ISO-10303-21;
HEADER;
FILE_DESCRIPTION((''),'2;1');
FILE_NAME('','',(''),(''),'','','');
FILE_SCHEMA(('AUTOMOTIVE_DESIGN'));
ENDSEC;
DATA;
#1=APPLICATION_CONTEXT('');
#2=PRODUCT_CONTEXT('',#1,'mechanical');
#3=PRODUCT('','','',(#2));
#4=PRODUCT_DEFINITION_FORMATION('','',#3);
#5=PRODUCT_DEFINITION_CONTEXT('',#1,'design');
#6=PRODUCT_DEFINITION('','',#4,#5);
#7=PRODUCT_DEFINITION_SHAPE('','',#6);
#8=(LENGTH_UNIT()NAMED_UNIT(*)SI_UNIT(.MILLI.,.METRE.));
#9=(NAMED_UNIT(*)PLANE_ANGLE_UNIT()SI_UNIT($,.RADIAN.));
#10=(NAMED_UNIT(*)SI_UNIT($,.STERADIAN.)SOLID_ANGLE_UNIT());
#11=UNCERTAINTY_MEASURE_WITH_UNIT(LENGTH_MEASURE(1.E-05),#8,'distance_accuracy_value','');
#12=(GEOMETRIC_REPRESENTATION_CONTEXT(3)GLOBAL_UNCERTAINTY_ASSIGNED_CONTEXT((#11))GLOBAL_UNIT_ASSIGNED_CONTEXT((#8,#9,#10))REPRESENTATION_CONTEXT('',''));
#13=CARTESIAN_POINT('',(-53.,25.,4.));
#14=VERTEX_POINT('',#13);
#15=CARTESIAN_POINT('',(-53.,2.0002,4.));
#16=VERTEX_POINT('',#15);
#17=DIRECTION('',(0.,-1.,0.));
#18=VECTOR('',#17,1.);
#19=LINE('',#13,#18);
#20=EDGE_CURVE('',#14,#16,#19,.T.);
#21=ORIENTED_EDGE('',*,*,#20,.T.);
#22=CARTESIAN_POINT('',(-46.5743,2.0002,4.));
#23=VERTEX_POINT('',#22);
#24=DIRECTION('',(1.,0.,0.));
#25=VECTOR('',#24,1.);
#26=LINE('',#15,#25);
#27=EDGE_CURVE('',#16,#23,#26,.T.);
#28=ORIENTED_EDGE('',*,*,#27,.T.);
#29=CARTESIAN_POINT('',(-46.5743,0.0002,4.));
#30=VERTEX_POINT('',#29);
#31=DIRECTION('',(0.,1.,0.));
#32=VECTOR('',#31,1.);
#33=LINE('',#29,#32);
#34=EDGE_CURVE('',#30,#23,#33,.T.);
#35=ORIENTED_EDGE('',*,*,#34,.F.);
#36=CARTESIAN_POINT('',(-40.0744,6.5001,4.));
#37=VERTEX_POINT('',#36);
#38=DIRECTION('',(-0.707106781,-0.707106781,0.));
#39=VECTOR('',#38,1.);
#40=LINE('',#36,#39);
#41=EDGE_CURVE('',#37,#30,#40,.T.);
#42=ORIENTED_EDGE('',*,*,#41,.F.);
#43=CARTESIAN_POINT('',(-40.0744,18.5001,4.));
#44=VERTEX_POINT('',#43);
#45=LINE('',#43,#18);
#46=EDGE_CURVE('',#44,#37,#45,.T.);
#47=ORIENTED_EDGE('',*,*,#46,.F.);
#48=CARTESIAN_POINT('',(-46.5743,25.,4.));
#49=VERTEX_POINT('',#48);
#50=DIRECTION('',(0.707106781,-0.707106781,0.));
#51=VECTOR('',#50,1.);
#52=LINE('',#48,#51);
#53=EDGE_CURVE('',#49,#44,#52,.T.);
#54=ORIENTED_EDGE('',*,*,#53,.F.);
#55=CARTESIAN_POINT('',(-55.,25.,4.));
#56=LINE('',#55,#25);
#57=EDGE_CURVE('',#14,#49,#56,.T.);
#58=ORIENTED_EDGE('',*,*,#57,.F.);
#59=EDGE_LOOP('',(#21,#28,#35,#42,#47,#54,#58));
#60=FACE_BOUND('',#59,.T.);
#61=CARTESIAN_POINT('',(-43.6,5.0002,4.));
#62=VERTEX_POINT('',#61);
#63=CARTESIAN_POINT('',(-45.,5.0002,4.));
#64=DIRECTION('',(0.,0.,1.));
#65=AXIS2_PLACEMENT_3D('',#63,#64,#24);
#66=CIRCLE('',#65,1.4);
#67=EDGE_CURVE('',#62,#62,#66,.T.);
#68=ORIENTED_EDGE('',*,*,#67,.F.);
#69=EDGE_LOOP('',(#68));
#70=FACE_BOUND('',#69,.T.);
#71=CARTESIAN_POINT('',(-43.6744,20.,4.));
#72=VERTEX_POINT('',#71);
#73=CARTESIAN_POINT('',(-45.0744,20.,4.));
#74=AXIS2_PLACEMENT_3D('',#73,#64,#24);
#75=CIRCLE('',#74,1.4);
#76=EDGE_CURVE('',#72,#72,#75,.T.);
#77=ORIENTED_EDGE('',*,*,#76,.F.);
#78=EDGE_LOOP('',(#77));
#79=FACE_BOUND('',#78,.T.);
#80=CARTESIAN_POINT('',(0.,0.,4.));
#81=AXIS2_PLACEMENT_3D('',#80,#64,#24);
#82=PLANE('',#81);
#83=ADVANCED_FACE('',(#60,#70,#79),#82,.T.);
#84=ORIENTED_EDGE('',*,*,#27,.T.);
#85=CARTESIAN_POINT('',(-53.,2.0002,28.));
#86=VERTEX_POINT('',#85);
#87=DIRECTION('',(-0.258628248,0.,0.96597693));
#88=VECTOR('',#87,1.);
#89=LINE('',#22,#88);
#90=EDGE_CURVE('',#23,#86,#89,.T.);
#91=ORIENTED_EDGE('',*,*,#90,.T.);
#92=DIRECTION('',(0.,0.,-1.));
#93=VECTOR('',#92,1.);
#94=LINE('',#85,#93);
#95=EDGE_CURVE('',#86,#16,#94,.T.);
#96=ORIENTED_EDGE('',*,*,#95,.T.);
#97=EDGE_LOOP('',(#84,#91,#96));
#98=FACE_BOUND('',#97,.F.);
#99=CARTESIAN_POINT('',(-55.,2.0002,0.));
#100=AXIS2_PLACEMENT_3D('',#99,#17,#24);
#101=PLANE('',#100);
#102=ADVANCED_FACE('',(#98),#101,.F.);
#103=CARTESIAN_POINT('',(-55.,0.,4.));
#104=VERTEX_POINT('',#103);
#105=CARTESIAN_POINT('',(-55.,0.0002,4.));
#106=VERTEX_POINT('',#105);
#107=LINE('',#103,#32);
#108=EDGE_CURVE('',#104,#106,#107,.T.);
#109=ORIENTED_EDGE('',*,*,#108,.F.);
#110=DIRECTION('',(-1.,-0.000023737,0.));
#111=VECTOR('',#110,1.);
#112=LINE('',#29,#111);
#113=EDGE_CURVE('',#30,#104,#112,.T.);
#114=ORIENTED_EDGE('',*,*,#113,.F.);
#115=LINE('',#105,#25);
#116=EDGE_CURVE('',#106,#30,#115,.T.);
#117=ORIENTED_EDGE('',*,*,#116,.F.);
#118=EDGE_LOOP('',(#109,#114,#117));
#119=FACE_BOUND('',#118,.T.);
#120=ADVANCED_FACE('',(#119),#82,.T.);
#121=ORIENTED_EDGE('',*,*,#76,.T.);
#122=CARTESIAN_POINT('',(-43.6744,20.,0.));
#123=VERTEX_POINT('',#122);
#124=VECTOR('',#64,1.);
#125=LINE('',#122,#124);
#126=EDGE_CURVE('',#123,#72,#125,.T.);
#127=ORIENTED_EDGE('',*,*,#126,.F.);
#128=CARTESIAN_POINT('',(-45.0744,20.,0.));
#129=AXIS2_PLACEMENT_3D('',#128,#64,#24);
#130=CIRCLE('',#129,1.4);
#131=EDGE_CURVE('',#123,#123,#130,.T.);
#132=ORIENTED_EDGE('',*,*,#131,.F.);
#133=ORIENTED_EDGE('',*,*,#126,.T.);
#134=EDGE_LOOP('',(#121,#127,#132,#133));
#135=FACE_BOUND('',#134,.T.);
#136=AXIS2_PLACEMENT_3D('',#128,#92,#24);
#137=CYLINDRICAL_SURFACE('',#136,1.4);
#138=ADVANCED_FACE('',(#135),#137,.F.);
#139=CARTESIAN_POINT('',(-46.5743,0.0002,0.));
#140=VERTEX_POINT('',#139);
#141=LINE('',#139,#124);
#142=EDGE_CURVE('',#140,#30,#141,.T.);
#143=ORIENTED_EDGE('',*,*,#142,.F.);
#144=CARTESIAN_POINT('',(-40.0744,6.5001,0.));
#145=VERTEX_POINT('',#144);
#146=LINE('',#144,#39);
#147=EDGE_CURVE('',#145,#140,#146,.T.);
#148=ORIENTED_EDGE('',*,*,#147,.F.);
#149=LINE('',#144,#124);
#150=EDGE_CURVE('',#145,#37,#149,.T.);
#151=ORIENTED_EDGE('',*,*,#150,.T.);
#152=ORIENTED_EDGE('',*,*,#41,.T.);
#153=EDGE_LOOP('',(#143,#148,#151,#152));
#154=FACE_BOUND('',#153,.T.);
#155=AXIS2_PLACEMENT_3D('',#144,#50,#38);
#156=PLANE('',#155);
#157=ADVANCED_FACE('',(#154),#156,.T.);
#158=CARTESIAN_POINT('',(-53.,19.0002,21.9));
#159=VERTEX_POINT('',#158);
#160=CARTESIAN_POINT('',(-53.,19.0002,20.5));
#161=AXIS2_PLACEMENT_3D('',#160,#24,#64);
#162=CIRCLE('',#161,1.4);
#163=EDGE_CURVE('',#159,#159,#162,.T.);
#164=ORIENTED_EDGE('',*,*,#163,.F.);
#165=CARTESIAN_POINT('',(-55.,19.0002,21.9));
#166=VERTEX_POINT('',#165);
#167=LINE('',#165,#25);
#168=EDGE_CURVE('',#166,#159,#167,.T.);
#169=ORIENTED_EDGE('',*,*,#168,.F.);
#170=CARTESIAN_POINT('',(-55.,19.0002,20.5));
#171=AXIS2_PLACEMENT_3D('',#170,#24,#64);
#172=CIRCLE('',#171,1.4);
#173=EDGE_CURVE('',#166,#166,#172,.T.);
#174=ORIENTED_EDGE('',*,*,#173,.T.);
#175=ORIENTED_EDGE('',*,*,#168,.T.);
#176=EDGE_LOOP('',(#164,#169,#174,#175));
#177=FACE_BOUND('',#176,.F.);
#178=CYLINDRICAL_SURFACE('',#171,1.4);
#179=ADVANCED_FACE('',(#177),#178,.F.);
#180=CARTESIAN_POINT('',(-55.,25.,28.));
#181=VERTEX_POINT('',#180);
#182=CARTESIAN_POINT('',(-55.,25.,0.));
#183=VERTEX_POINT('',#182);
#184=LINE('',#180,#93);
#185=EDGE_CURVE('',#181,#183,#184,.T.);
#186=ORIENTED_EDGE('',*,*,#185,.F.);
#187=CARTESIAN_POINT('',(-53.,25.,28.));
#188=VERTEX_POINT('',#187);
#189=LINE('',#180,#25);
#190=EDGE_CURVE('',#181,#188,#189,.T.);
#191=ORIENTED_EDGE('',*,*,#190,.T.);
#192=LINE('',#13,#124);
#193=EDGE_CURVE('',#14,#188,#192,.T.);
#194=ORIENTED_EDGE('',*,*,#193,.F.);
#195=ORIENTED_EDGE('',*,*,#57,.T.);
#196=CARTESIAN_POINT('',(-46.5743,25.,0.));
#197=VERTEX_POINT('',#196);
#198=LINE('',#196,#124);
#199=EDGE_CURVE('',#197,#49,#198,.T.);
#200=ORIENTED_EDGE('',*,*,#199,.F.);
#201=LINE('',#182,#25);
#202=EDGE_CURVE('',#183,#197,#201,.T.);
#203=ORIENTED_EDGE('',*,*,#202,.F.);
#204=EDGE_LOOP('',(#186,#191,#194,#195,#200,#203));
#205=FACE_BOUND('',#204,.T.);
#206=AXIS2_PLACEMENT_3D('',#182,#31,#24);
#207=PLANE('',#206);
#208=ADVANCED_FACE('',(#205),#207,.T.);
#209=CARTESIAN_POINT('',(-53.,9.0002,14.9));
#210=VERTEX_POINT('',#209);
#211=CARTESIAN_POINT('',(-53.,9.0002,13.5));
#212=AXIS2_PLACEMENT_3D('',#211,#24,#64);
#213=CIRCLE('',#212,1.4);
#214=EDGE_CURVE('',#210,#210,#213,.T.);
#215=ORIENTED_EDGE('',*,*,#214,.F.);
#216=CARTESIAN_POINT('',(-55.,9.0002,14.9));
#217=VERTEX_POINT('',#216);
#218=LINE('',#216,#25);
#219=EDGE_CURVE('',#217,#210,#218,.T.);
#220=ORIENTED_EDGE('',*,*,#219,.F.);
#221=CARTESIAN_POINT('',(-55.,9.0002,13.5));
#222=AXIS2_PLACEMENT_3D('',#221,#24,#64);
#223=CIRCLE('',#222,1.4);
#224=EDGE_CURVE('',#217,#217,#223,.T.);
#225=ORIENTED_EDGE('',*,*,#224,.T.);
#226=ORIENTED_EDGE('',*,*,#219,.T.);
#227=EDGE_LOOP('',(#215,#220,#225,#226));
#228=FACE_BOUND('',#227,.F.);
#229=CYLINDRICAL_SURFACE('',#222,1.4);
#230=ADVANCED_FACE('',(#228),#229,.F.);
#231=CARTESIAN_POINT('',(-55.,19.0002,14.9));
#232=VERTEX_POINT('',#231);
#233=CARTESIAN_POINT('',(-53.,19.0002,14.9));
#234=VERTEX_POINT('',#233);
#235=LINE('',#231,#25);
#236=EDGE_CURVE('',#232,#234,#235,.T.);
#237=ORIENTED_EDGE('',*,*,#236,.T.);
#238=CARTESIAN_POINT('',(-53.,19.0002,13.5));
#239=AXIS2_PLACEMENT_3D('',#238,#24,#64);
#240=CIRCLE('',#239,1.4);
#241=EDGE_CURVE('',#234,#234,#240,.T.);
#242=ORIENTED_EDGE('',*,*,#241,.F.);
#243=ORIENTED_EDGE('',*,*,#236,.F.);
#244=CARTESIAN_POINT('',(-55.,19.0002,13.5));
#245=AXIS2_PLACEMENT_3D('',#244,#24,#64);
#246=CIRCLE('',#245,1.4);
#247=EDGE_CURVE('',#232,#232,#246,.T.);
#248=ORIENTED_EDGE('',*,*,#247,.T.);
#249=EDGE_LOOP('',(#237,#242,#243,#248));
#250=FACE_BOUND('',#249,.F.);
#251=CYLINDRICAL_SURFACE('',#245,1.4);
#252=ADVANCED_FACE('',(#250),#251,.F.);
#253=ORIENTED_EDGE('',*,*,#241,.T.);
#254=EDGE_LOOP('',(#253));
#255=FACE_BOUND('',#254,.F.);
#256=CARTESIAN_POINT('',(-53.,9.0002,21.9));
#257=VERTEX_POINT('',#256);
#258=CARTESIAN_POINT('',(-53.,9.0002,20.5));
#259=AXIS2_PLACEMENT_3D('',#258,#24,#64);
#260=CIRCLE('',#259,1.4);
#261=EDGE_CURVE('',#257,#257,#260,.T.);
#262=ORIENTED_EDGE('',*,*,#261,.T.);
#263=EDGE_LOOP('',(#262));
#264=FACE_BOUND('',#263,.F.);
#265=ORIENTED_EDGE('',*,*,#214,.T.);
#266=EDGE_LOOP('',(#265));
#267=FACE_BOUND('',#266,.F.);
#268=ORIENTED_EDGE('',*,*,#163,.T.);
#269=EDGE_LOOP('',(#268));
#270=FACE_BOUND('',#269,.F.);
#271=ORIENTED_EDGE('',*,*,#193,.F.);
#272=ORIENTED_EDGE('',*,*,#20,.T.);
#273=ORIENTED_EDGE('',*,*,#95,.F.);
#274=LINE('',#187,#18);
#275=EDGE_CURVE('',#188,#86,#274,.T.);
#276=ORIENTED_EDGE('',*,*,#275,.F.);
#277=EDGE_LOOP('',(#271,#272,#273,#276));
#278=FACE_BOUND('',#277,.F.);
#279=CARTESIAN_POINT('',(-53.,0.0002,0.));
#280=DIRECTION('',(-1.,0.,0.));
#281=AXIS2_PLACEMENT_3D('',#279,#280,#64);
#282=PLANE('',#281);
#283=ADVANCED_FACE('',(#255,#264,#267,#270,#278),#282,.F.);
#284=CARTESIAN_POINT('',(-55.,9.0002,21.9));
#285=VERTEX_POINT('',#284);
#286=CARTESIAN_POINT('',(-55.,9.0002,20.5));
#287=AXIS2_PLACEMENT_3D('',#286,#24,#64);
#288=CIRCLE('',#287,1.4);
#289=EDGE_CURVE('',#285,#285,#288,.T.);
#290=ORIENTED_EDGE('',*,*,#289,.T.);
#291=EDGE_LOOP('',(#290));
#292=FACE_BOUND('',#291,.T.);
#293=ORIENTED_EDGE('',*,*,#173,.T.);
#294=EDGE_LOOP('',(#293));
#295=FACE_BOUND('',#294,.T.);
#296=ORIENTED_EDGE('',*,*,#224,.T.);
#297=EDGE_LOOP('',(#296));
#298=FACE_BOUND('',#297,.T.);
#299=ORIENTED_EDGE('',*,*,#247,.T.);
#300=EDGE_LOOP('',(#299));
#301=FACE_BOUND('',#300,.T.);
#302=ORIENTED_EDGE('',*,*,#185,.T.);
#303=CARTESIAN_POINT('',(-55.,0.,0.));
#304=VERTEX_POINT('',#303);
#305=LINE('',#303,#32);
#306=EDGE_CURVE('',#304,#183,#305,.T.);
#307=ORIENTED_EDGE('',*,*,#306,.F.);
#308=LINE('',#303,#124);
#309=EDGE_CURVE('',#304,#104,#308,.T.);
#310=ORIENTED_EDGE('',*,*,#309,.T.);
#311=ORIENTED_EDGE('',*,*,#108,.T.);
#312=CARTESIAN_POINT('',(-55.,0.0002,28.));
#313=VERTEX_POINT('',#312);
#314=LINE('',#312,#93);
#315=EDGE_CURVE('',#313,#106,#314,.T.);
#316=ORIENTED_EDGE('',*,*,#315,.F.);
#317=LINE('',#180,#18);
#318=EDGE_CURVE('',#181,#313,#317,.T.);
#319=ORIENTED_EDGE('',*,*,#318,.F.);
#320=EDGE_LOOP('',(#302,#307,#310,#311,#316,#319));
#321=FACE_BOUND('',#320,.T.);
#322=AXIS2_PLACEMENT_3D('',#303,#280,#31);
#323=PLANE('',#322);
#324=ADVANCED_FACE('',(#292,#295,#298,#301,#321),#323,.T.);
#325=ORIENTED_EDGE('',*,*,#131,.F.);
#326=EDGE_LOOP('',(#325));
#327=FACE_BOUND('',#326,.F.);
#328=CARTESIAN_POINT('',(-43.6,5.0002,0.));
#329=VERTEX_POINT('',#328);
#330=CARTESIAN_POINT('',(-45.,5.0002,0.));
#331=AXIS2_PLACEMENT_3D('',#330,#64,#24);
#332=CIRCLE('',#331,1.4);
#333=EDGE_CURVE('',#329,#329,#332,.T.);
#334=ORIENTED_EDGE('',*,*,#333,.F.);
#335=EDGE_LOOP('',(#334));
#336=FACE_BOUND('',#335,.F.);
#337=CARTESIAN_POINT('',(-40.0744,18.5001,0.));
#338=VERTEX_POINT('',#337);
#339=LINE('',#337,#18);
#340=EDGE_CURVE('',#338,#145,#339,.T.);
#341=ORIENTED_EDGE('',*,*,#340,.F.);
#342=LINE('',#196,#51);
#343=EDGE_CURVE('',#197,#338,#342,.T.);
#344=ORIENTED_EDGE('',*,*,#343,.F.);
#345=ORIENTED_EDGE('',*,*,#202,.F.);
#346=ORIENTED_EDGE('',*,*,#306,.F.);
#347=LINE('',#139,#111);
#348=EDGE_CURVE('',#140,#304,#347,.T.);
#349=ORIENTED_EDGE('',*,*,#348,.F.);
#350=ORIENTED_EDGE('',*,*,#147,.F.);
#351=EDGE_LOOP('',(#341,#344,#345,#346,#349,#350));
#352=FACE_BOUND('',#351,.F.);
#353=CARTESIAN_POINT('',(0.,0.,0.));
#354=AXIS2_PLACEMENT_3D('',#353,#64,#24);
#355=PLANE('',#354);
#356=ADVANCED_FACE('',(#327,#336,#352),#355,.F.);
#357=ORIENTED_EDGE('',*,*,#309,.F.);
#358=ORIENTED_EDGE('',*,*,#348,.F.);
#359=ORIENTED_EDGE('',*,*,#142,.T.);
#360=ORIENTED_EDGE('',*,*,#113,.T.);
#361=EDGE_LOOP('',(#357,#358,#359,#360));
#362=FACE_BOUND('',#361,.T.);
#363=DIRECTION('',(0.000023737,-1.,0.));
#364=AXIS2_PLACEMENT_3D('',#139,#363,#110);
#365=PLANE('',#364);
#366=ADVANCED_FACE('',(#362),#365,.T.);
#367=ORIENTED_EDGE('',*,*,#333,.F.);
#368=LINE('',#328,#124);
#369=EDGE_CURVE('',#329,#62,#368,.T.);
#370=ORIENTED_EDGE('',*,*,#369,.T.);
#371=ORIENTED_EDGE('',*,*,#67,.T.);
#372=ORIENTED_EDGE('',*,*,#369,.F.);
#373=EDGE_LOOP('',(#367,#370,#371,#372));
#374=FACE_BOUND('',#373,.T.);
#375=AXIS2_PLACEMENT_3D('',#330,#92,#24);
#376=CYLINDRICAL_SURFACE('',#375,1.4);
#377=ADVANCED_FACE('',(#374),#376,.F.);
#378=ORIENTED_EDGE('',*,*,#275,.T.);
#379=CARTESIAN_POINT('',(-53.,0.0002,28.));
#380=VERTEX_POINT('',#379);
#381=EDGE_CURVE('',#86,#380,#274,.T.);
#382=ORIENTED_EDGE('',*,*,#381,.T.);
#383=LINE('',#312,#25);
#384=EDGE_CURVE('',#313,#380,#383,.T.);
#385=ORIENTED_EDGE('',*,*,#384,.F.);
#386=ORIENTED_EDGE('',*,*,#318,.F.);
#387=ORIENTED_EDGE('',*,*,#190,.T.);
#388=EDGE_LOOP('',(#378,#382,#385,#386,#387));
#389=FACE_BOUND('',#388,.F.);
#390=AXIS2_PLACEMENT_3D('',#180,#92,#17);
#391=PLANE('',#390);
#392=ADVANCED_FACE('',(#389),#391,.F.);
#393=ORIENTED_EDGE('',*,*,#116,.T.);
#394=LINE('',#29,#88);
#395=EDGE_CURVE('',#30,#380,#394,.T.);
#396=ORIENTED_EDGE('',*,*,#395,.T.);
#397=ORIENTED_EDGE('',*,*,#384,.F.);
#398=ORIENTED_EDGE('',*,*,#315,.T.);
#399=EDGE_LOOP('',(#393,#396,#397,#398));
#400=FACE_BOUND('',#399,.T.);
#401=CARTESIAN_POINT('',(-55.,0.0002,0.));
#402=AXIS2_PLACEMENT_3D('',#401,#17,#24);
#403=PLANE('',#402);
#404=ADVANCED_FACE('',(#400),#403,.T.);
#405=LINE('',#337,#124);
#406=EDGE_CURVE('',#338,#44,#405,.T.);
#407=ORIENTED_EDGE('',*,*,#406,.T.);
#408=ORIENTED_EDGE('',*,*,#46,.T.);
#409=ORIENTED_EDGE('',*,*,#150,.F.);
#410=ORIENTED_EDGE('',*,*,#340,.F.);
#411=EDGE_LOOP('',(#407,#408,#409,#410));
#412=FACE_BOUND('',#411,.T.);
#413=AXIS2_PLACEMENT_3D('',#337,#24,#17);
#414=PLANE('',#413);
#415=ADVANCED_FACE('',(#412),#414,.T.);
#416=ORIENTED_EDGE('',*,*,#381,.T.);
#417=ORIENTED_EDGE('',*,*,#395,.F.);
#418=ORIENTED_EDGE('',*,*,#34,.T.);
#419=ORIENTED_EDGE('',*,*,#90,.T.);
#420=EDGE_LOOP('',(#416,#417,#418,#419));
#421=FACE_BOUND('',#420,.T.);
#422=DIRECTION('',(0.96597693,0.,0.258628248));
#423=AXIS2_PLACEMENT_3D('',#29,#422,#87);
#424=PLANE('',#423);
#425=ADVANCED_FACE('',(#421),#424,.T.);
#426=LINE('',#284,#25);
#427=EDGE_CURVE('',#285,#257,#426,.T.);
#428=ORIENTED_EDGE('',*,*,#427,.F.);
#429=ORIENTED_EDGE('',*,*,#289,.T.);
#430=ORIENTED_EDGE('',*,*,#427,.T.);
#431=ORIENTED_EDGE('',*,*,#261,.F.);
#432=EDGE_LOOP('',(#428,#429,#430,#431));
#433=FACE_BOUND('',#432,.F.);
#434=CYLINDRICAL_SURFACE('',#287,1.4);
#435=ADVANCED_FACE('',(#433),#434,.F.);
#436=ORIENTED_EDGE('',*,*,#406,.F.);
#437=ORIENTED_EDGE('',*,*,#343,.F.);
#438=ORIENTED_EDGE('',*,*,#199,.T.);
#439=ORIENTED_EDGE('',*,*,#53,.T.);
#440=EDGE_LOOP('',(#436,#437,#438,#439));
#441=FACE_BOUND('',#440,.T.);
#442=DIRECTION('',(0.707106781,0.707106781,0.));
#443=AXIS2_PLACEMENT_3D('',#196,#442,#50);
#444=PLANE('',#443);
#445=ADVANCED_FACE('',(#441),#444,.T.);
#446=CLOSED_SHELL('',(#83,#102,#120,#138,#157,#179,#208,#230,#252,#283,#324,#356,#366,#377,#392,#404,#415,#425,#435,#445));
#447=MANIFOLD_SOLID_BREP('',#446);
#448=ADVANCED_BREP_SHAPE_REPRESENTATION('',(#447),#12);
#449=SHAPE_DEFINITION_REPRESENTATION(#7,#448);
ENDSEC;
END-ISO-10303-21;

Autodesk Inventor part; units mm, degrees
ref_plane "YZ Plane" through (0, 0, 0) normal (1, 0, 0) x (0, 1, 0)
ref_plane "XZ Plane" through (0, 0, 0) normal (0, 1, 0) x (-1, 0, 0)
ref_plane "XY Plane" through (0, 0, 0) normal (0, 0, 1) x (1, 0, 0)
sketch "Sketch1" plane through (0, 0, 0) normal (0, 0, 1) x (1, 0, 0)
  circle A0 centre (-45.0744, 20) radius 1.4 projected
  circle A1 centre (-45, 5.0002) radius 1.4 projected
  line L0 (-55, 0) -> (-55, 35) projected
  line L1 (-55, 25) -> (-46.5743, 25)
  line L2 (-46.5743, 25) -> (-40.0744, 18.5001)
  line L3 (-40.0744, 18.5001) -> (-40.0744, 6.5001)
  line L4 (-40.0744, 6.5001) -> (-46.5743, 0.0002)
  line L5 (-46.5743, 0.0002) -> (-55, 0.0002)
  point P0 (0, 0)
  point P1 (-50.7872, 0.0002)
  dimension "d0" = 5
  dimension "d1" = 5
  dimension "d2" = 45
  dimension "d3" = 5
  dimension "d4" = 12
extrude "Extrusion1" add sketch "Sketch1" along normal blind 4
sketch "Sketch2" plane through (-55, 0.0002, 0) normal (-1, 0, 0) x (0, 0, 1)
  line L0 (0, 24.9998) -> (0, 0) projected
  line L1 (0, 0) -> (4, 0) projected
  line L2 (4, 24.9998) -> (4, 0) projected
  line L3 (0, 24.9998) -> (4, 24.9998) projected
  line L4 (4, 18.4999) -> (4, 24.9998) projected
  line L5 (4, 24.9998) -> (28, 24.9998)
  line L6 (28, 24.9998) -> (28, 0)
  line L7 (4, 24.9998) -> (4, 0) projected
  line L8 (28, 0) -> (4, 0)
  point P0 (0, -0.0002)
  dimension "d7" = 24
extrude "Extrusion2" add sketch "Sketch2" against normal blind 2 contours L5 L6 L8 L2
sketch "Sketch4" plane through (-55, 0.0002, 0) normal (0, -1, 0) x (1, 0, 0)
  line L0 (2, 28) -> (2, 4) projected
  line L1 (2, 4) -> (8.4257, 4) projected
  line L2 (8.4257, 0) -> (8.4257, 4) projected
  line L3 (2, 4) -> (2, 28) projected
  line L4 (8.4257, 4) -> (2, 28)
  point P0 (55, 0)
extrude "Extrusion4" add sketch "Sketch4" against normal blind 2
sketch "Sketch5" plane through (-55, 0.0002, 0) normal (-1, 0, 0) x (0, 0, 1)
  line L0 (0, 24.9998) -> (0, 0) projected
  line L1 (0, 0) -> (28, 0) projected
  line L2 (28, 0) -> (28, 24.9998) projected
  line L3 (0, 24.9998) -> (28, 24.9998) projected
  point P0 (0, -0.0002)
  point P1 (20.5, 19)
  point P2 (20.5, 9)
  point P3 (13.5, 9)
  point P4 (13.5, 19)
  dimension "d14" = 9
  dimension "d15" = 7
  dimension "d16" = 10
  dimension "d17" = 7.5
hole "Hole1" at (-55, 19.0002, 20.5) at (-55, 9.0002, 20.5) at (-55, 9.0002, 13.5) at (-55, 19.0002, 13.5) direction (1, 0, 0) diameter 2.8 end through all
equation "\"d1\" = d0"
equation "\"d3\" = d0"
properties part number "Drag Chain Base" material "ABS Plastic"
